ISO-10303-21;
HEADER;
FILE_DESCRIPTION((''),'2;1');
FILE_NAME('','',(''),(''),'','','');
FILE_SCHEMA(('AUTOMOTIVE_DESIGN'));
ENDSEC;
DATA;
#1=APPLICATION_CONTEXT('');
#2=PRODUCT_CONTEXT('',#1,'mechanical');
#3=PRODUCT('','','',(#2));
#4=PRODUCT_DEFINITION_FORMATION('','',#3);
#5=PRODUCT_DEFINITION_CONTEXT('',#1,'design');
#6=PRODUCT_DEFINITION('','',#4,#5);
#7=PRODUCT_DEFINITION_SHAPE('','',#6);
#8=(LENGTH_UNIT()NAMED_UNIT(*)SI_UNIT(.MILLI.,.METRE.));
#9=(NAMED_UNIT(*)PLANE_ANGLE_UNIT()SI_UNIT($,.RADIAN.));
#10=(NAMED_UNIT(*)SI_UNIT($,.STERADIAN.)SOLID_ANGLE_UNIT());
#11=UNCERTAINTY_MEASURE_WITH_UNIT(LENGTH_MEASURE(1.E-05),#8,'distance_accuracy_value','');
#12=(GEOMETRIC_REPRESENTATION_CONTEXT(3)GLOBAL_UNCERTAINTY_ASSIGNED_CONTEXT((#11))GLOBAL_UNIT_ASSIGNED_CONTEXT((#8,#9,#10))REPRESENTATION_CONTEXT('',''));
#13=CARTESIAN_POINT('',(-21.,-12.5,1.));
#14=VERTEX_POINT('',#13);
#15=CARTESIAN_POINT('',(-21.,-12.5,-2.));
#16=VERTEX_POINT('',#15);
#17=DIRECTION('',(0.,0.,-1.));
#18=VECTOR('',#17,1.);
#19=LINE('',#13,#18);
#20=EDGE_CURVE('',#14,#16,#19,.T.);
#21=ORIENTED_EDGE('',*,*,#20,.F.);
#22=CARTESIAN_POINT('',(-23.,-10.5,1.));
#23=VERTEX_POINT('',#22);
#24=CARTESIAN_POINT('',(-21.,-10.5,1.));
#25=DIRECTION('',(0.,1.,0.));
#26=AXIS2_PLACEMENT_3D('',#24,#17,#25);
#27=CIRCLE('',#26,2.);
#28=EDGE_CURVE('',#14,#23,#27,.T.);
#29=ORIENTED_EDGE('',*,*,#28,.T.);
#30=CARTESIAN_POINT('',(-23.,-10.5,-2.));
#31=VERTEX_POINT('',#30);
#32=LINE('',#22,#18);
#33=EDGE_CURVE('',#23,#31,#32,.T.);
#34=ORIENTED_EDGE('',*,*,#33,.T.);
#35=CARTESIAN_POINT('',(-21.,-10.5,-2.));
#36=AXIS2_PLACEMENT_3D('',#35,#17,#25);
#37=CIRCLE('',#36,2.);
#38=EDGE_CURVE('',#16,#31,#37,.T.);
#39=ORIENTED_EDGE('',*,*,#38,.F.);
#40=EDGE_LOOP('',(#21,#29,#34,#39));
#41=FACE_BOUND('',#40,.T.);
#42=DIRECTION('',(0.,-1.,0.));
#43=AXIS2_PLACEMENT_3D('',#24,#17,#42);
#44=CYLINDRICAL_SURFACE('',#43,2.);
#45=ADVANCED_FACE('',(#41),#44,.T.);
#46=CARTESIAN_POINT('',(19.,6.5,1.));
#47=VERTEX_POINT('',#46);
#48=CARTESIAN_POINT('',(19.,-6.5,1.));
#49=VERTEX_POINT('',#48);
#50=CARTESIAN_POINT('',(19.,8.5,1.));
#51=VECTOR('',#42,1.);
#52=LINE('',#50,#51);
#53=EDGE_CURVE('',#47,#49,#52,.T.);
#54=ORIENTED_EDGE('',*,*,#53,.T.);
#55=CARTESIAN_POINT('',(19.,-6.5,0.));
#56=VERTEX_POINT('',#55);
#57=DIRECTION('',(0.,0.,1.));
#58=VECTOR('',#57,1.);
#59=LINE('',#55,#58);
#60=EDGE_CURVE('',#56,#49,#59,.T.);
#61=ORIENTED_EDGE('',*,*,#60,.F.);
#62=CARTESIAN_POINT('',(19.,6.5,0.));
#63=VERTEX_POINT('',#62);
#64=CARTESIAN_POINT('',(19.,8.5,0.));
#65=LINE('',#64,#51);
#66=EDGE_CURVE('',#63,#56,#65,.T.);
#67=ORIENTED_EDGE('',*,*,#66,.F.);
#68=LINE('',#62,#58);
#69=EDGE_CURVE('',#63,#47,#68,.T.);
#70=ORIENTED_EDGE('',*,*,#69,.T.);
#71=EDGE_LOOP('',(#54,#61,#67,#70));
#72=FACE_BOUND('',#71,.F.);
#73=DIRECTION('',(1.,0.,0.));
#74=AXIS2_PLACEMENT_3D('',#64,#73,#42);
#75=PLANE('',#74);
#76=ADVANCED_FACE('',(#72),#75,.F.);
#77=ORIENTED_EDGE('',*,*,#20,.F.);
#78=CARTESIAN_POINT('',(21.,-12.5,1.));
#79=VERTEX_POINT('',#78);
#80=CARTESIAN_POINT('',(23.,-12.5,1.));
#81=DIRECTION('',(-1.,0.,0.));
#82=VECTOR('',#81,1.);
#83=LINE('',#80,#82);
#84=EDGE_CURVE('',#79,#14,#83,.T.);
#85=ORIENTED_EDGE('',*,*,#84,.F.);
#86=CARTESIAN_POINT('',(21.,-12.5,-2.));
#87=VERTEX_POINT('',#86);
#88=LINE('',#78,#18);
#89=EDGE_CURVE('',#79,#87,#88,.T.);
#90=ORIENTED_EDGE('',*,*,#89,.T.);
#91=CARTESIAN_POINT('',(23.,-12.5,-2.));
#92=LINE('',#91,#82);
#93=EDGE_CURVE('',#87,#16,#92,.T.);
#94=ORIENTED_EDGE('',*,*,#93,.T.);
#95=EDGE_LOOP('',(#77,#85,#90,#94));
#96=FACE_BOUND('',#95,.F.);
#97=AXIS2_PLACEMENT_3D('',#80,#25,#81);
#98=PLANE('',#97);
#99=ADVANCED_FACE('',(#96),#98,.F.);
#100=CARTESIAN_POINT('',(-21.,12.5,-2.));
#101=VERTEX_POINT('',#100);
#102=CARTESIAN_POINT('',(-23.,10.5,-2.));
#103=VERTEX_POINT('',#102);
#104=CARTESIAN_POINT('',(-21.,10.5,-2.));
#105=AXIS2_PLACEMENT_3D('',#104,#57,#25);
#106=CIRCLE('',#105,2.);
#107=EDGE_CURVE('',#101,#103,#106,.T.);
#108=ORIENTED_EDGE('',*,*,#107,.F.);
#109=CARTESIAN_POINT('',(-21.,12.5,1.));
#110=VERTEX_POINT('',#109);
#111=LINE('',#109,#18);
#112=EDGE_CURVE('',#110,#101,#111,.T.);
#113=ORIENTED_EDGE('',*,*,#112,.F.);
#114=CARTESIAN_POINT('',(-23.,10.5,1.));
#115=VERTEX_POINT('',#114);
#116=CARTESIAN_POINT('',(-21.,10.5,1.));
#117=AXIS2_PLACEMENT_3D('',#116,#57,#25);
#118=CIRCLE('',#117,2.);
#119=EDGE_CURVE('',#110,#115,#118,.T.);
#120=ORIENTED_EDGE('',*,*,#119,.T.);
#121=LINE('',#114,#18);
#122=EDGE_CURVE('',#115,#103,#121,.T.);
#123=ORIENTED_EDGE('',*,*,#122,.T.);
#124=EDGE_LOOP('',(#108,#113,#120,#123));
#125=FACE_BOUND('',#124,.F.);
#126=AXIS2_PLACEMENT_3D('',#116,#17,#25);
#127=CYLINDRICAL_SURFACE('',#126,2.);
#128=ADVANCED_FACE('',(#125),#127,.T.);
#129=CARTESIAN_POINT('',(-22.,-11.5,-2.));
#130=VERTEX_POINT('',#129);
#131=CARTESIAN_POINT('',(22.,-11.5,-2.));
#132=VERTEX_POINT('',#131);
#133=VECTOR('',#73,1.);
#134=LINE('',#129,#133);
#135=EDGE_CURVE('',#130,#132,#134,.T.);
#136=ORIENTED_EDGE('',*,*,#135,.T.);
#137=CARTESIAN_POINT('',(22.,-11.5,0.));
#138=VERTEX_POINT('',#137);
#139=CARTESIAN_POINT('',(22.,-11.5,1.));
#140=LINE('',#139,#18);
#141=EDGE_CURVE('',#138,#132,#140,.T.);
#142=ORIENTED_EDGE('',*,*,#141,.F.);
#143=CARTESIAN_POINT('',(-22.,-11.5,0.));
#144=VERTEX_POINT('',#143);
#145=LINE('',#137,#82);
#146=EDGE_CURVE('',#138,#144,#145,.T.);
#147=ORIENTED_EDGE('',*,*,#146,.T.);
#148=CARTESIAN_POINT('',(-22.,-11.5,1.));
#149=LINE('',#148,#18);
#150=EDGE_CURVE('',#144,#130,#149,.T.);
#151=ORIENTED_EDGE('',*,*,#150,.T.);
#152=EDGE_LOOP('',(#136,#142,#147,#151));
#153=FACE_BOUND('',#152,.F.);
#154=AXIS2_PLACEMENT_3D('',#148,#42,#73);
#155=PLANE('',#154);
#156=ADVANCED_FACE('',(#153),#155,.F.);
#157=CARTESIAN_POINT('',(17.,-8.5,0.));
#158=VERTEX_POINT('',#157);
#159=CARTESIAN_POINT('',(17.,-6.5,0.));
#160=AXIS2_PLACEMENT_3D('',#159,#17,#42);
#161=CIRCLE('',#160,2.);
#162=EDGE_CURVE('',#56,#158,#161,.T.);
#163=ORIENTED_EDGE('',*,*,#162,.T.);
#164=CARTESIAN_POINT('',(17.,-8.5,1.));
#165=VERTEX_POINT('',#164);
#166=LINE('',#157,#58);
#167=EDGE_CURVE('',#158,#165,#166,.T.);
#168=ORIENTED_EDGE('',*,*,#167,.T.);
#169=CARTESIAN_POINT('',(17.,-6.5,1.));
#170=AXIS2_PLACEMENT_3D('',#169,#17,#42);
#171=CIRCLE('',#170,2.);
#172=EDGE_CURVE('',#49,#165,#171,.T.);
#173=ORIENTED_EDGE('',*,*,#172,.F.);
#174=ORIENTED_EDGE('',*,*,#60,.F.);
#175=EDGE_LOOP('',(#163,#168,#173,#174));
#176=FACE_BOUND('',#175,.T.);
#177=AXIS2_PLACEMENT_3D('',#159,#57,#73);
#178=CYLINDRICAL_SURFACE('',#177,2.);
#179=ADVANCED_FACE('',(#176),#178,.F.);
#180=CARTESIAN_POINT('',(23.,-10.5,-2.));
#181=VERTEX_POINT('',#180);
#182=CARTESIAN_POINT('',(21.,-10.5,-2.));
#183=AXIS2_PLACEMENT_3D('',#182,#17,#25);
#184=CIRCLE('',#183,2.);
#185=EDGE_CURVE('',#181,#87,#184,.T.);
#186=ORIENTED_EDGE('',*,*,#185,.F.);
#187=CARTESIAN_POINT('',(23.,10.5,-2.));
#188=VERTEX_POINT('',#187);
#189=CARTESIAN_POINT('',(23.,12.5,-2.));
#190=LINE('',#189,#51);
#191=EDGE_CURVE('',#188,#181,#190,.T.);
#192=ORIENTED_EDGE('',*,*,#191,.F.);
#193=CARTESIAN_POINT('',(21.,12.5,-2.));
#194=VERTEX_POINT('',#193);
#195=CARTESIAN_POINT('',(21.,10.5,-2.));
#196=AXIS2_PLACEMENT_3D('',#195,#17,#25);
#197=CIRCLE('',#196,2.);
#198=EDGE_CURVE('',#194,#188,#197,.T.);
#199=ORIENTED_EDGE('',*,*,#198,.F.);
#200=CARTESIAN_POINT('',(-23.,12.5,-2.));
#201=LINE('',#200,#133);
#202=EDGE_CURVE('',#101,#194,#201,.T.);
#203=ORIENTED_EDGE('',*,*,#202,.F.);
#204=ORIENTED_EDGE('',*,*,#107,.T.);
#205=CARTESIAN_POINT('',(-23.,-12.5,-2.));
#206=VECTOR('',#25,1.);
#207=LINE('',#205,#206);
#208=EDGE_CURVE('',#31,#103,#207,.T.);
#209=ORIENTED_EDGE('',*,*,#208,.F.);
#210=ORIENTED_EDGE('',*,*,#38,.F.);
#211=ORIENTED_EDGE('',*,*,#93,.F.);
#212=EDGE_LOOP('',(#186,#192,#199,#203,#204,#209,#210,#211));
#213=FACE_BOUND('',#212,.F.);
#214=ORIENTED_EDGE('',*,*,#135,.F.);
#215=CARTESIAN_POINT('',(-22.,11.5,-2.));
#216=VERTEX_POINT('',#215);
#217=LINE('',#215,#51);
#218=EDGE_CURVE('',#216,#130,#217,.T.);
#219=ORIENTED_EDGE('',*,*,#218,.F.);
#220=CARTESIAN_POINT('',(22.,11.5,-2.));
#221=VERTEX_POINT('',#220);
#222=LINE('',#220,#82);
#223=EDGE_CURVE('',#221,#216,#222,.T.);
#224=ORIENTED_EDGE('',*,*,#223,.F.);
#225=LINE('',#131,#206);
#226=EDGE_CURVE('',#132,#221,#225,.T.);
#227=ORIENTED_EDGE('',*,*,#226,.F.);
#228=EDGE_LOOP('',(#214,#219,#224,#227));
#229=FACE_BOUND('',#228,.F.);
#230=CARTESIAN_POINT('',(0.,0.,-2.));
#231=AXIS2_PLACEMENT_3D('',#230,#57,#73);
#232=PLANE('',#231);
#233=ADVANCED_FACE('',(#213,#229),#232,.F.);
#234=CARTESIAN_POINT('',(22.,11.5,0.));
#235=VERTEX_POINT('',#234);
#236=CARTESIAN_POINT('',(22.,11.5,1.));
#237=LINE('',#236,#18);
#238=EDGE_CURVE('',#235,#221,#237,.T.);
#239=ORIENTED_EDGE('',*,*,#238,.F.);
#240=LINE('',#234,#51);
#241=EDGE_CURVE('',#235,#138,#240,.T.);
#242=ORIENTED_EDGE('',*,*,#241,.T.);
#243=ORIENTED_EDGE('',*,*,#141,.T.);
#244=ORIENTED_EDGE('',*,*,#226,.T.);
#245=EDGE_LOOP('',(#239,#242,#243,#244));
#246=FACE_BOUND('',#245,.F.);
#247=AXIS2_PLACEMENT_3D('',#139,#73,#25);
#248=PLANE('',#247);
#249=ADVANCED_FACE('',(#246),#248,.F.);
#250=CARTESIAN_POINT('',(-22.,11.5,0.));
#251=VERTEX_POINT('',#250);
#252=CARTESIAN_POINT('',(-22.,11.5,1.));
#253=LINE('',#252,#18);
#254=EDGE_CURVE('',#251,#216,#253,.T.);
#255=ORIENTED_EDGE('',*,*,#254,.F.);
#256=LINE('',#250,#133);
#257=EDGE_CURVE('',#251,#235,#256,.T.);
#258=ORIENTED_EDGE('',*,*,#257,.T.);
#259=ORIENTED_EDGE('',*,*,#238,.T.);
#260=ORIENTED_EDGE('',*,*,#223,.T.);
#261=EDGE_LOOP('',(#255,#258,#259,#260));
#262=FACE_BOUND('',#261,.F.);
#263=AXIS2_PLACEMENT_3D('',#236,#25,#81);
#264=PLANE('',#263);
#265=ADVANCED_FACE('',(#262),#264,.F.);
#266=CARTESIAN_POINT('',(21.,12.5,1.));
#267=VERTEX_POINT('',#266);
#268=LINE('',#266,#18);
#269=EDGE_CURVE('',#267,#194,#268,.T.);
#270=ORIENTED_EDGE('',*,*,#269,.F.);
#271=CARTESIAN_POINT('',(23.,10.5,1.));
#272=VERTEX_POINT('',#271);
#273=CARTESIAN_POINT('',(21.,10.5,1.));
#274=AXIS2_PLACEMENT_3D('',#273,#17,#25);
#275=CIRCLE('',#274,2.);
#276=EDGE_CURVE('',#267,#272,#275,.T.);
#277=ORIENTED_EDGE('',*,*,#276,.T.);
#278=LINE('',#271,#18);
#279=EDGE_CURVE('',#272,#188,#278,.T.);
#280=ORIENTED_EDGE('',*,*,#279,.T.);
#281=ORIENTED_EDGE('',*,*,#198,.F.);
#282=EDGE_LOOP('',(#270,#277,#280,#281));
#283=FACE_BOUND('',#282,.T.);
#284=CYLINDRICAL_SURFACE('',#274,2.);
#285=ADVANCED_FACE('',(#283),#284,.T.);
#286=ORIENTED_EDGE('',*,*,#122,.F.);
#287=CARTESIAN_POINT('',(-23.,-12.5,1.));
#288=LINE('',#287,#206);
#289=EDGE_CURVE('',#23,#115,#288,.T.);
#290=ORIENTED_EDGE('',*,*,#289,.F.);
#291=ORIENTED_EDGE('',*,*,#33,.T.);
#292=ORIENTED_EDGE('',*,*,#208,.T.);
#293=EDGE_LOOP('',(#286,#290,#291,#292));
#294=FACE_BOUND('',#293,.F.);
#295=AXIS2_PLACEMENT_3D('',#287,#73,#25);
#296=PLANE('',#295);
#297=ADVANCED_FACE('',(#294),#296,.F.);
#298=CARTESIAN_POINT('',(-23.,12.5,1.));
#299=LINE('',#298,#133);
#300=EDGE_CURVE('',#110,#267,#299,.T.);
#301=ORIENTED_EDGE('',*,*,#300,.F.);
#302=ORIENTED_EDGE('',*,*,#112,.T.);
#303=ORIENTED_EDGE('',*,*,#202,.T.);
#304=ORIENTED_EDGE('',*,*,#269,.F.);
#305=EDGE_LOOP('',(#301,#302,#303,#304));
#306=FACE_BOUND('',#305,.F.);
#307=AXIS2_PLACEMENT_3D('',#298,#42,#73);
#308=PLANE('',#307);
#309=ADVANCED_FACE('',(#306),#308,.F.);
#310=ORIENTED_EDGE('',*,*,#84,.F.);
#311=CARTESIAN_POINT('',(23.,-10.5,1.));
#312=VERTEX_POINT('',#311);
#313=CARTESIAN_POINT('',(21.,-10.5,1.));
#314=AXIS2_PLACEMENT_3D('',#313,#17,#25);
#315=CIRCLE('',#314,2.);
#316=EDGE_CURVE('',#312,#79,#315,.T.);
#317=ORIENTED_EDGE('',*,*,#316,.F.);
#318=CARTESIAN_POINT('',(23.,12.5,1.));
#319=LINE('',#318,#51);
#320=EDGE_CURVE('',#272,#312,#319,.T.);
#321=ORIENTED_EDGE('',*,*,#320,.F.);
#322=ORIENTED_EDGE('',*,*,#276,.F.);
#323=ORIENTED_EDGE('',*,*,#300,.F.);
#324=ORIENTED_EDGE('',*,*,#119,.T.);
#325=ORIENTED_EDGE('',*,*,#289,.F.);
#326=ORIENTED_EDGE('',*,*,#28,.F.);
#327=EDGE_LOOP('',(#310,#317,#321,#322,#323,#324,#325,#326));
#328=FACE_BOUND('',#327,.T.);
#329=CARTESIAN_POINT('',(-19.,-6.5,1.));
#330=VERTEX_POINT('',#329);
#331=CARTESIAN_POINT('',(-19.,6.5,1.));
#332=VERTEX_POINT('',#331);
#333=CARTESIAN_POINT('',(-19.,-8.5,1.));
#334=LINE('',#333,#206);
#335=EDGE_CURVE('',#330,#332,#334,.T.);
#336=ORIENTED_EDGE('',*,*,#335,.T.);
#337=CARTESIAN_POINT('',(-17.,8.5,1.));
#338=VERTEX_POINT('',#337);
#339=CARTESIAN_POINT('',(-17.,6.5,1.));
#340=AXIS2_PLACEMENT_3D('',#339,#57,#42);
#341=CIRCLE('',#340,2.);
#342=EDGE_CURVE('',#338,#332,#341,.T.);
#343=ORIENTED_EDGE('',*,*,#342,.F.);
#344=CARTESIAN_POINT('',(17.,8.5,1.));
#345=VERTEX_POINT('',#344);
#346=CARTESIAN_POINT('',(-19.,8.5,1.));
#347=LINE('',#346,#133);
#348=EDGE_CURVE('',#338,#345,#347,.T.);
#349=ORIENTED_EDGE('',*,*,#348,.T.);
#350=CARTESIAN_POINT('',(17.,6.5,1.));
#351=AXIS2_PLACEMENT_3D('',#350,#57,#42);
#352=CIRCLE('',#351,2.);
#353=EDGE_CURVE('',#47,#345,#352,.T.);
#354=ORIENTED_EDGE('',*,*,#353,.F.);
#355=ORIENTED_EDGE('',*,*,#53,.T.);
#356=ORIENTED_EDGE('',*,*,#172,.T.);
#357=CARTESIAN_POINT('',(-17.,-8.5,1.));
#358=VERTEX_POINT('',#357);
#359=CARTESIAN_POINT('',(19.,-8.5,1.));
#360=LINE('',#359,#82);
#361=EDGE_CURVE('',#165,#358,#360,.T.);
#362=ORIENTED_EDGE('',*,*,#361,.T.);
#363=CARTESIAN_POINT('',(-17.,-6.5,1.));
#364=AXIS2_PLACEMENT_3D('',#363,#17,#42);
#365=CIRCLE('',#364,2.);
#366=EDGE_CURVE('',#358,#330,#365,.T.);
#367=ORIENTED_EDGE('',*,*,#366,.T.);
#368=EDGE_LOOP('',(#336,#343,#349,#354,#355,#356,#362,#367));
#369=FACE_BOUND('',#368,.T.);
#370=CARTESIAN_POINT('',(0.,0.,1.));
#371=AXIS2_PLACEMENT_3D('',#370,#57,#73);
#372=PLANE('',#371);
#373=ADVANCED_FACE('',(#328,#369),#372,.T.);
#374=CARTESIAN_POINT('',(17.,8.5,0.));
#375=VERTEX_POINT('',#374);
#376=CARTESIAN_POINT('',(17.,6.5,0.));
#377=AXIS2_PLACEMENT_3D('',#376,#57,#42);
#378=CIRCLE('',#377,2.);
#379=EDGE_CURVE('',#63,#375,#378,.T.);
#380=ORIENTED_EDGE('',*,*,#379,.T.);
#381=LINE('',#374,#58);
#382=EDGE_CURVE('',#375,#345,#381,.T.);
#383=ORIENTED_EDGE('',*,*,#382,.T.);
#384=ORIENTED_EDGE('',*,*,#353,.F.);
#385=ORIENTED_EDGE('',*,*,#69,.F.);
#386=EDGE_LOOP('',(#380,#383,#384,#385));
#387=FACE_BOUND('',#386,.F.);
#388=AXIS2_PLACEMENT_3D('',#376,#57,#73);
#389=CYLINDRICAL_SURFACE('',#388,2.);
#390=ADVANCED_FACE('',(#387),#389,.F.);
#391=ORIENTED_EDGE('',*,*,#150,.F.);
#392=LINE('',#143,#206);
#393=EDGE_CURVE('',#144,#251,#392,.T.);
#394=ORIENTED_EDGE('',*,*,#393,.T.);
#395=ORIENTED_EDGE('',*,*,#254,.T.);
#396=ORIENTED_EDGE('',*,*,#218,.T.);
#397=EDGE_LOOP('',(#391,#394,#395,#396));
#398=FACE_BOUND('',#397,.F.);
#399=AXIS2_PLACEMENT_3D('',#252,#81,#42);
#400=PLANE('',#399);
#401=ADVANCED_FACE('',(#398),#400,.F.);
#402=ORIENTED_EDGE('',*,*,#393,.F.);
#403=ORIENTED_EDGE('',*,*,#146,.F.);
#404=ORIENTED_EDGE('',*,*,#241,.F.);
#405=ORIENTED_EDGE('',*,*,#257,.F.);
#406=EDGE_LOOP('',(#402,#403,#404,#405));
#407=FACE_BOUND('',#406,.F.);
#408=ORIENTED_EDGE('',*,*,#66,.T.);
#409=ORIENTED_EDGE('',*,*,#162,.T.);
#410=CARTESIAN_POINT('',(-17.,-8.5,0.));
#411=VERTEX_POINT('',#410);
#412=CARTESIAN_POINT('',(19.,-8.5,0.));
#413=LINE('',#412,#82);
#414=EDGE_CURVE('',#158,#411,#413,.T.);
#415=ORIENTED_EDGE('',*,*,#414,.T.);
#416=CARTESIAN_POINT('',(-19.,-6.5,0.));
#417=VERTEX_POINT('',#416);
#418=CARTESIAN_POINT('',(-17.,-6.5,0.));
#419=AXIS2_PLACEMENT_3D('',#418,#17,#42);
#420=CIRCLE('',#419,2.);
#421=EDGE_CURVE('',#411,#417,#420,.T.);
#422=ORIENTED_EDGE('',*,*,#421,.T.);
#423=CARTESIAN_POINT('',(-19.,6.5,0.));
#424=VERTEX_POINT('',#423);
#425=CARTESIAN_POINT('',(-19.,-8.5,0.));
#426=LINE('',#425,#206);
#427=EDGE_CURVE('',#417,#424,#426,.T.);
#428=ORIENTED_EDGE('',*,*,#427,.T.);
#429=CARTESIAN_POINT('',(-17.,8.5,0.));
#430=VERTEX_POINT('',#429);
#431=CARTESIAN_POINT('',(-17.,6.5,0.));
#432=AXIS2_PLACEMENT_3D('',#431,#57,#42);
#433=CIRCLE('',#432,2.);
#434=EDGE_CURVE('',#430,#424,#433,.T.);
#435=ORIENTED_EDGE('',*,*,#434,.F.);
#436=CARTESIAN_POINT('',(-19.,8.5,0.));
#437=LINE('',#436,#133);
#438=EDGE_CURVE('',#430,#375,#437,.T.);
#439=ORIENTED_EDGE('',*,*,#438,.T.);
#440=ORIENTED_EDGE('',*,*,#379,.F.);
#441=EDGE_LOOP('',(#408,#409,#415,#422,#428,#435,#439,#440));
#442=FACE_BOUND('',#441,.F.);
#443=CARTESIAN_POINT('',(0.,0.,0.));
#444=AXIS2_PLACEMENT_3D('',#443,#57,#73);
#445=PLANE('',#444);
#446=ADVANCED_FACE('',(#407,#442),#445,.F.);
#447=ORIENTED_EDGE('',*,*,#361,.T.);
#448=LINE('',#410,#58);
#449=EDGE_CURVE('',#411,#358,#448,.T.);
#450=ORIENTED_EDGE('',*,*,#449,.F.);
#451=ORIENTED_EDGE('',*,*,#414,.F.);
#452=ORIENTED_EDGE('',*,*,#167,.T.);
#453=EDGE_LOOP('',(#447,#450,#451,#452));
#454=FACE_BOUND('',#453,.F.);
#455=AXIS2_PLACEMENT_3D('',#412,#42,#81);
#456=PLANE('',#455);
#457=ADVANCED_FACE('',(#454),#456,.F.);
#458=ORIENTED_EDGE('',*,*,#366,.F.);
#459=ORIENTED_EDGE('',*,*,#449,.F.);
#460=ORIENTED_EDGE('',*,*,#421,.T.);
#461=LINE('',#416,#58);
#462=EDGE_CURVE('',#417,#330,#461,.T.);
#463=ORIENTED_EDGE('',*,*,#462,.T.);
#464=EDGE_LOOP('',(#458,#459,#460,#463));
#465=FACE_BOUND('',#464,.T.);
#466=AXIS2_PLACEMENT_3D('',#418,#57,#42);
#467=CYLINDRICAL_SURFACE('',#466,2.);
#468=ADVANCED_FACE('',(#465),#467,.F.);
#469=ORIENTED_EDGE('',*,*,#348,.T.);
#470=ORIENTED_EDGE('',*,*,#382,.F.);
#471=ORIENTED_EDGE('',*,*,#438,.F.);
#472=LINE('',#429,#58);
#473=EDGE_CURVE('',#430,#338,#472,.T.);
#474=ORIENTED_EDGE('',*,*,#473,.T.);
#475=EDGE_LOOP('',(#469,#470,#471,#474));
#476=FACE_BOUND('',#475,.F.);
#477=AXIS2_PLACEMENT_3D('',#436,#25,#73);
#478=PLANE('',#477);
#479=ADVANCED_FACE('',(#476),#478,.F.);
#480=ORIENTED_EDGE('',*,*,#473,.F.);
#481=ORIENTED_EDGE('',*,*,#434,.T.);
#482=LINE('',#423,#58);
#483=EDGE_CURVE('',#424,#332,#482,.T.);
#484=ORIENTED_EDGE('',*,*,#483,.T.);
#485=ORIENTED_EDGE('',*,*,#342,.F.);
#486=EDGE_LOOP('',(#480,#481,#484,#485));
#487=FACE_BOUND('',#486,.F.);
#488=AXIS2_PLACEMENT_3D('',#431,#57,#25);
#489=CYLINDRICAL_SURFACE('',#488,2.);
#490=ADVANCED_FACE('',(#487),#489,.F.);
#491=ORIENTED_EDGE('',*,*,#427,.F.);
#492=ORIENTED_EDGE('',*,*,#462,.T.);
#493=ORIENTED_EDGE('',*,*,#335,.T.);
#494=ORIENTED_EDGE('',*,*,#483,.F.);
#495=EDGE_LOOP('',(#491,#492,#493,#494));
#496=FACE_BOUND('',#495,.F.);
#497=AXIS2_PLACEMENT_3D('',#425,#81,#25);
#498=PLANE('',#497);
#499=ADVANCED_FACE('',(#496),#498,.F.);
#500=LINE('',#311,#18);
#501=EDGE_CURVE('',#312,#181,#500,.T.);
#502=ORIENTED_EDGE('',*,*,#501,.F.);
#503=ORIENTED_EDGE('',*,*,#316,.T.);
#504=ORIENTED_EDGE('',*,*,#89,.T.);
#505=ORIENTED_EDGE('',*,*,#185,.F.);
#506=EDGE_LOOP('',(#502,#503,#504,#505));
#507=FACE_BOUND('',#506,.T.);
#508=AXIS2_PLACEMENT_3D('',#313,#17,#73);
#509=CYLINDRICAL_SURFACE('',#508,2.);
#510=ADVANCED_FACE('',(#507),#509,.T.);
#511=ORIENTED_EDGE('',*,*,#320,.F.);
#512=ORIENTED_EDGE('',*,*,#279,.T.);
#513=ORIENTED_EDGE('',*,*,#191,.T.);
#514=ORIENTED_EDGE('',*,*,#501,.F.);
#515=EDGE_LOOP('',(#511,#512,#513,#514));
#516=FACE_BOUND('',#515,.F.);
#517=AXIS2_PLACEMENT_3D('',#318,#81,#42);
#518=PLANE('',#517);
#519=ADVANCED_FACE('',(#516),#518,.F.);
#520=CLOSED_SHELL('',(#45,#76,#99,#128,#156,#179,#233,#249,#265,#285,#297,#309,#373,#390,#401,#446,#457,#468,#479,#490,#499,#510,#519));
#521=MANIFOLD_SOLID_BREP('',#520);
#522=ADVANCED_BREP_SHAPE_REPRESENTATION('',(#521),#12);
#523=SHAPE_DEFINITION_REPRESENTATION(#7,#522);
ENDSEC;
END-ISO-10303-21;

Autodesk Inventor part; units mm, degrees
ref_plane "YZ Plane" through (0, 0, 0) normal (1, 0, 0) x (0, 1, 0)
ref_plane "XZ Plane" through (0, 0, 0) normal (0, 1, 0) x (-1, 0, 0)
ref_plane "XY Plane" through (0, 0, 0) normal (0, 0, 1) x (1, 0, 0)
sketch "Эскиз1" plane through (0, 0, 0) normal (0, 0, 1) x (1, 0, 0)
  line L0 (19, -8.5) -> (-19, -8.5)
  line L1 (-19, -8.5) -> (-19, 8.5)
  line L2 (-19, 8.5) -> (19, 8.5)
  line L3 (19, 8.5) -> (19, -8.5)
  line L4 (19, -8.5) -> (-19, 8.5) construction
  line L5 (-19, -8.5) -> (19, 8.5) construction
  line L6 (22, -11.5) -> (-22, -11.5)
  line L7 (-22, -11.5) -> (-22, 11.5)
  line L8 (-22, 11.5) -> (22, 11.5)
  line L9 (22, 11.5) -> (22, -11.5)
  line L10 (22, -11.5) -> (-22, 11.5) construction
  line L11 (-22, -11.5) -> (22, 11.5) construction
  point P0 (0, 0)
  dimension "d0" = 44
  dimension "d1" = 23
  dimension "d2" = 3
  dimension "d3" = 3
extrude "Выдавливание1" add sketch "Эскиз1" along normal blind 1
sketch "Эскиз2" plane through (0, 0, 1) normal (0, 0, 1) x (1, 0, 0)
  line L0 (22, 11.5) -> (-22, 11.5) projected
  line L1 (-22, 11.5) -> (-22, -11.5) projected
  line L2 (-22, -11.5) -> (22, -11.5) projected
  line L3 (22, -11.5) -> (22, 11.5) projected
  line L4 (19, -8.5) -> (-19, -8.5) projected
  line L5 (-19, -8.5) -> (-19, 8.5) projected
  line L6 (-19, 8.5) -> (19, 8.5) projected
  line L7 (19, 8.5) -> (19, -8.5) projected
  line L8 (-23, 12.5) -> (23, 12.5)
  line L9 (23, 12.5) -> (23, -12.5)
  line L10 (23, -12.5) -> (-23, -12.5)
  line L11 (-23, -12.5) -> (-23, 12.5)
  point P0 (0, 0)
  dimension "d6" = 1
extrude "Выдавливание2" add sketch "Эскиз2" against normal blind 3 contours L8 L9 L10 L11
fillet "Сопряжение1" radius 2 8 edges at (23, 12.5, -0.5) (-23, 12.5, -0.5) (-23, -12.5, -0.5) (23, -12.5, -0.5) (-19, 8.5, 0.5) (19, 8.5, 0.5) (19, -8.5, 0.5) (-19, -8.5, 0.5)
properties part number "крышечка"
